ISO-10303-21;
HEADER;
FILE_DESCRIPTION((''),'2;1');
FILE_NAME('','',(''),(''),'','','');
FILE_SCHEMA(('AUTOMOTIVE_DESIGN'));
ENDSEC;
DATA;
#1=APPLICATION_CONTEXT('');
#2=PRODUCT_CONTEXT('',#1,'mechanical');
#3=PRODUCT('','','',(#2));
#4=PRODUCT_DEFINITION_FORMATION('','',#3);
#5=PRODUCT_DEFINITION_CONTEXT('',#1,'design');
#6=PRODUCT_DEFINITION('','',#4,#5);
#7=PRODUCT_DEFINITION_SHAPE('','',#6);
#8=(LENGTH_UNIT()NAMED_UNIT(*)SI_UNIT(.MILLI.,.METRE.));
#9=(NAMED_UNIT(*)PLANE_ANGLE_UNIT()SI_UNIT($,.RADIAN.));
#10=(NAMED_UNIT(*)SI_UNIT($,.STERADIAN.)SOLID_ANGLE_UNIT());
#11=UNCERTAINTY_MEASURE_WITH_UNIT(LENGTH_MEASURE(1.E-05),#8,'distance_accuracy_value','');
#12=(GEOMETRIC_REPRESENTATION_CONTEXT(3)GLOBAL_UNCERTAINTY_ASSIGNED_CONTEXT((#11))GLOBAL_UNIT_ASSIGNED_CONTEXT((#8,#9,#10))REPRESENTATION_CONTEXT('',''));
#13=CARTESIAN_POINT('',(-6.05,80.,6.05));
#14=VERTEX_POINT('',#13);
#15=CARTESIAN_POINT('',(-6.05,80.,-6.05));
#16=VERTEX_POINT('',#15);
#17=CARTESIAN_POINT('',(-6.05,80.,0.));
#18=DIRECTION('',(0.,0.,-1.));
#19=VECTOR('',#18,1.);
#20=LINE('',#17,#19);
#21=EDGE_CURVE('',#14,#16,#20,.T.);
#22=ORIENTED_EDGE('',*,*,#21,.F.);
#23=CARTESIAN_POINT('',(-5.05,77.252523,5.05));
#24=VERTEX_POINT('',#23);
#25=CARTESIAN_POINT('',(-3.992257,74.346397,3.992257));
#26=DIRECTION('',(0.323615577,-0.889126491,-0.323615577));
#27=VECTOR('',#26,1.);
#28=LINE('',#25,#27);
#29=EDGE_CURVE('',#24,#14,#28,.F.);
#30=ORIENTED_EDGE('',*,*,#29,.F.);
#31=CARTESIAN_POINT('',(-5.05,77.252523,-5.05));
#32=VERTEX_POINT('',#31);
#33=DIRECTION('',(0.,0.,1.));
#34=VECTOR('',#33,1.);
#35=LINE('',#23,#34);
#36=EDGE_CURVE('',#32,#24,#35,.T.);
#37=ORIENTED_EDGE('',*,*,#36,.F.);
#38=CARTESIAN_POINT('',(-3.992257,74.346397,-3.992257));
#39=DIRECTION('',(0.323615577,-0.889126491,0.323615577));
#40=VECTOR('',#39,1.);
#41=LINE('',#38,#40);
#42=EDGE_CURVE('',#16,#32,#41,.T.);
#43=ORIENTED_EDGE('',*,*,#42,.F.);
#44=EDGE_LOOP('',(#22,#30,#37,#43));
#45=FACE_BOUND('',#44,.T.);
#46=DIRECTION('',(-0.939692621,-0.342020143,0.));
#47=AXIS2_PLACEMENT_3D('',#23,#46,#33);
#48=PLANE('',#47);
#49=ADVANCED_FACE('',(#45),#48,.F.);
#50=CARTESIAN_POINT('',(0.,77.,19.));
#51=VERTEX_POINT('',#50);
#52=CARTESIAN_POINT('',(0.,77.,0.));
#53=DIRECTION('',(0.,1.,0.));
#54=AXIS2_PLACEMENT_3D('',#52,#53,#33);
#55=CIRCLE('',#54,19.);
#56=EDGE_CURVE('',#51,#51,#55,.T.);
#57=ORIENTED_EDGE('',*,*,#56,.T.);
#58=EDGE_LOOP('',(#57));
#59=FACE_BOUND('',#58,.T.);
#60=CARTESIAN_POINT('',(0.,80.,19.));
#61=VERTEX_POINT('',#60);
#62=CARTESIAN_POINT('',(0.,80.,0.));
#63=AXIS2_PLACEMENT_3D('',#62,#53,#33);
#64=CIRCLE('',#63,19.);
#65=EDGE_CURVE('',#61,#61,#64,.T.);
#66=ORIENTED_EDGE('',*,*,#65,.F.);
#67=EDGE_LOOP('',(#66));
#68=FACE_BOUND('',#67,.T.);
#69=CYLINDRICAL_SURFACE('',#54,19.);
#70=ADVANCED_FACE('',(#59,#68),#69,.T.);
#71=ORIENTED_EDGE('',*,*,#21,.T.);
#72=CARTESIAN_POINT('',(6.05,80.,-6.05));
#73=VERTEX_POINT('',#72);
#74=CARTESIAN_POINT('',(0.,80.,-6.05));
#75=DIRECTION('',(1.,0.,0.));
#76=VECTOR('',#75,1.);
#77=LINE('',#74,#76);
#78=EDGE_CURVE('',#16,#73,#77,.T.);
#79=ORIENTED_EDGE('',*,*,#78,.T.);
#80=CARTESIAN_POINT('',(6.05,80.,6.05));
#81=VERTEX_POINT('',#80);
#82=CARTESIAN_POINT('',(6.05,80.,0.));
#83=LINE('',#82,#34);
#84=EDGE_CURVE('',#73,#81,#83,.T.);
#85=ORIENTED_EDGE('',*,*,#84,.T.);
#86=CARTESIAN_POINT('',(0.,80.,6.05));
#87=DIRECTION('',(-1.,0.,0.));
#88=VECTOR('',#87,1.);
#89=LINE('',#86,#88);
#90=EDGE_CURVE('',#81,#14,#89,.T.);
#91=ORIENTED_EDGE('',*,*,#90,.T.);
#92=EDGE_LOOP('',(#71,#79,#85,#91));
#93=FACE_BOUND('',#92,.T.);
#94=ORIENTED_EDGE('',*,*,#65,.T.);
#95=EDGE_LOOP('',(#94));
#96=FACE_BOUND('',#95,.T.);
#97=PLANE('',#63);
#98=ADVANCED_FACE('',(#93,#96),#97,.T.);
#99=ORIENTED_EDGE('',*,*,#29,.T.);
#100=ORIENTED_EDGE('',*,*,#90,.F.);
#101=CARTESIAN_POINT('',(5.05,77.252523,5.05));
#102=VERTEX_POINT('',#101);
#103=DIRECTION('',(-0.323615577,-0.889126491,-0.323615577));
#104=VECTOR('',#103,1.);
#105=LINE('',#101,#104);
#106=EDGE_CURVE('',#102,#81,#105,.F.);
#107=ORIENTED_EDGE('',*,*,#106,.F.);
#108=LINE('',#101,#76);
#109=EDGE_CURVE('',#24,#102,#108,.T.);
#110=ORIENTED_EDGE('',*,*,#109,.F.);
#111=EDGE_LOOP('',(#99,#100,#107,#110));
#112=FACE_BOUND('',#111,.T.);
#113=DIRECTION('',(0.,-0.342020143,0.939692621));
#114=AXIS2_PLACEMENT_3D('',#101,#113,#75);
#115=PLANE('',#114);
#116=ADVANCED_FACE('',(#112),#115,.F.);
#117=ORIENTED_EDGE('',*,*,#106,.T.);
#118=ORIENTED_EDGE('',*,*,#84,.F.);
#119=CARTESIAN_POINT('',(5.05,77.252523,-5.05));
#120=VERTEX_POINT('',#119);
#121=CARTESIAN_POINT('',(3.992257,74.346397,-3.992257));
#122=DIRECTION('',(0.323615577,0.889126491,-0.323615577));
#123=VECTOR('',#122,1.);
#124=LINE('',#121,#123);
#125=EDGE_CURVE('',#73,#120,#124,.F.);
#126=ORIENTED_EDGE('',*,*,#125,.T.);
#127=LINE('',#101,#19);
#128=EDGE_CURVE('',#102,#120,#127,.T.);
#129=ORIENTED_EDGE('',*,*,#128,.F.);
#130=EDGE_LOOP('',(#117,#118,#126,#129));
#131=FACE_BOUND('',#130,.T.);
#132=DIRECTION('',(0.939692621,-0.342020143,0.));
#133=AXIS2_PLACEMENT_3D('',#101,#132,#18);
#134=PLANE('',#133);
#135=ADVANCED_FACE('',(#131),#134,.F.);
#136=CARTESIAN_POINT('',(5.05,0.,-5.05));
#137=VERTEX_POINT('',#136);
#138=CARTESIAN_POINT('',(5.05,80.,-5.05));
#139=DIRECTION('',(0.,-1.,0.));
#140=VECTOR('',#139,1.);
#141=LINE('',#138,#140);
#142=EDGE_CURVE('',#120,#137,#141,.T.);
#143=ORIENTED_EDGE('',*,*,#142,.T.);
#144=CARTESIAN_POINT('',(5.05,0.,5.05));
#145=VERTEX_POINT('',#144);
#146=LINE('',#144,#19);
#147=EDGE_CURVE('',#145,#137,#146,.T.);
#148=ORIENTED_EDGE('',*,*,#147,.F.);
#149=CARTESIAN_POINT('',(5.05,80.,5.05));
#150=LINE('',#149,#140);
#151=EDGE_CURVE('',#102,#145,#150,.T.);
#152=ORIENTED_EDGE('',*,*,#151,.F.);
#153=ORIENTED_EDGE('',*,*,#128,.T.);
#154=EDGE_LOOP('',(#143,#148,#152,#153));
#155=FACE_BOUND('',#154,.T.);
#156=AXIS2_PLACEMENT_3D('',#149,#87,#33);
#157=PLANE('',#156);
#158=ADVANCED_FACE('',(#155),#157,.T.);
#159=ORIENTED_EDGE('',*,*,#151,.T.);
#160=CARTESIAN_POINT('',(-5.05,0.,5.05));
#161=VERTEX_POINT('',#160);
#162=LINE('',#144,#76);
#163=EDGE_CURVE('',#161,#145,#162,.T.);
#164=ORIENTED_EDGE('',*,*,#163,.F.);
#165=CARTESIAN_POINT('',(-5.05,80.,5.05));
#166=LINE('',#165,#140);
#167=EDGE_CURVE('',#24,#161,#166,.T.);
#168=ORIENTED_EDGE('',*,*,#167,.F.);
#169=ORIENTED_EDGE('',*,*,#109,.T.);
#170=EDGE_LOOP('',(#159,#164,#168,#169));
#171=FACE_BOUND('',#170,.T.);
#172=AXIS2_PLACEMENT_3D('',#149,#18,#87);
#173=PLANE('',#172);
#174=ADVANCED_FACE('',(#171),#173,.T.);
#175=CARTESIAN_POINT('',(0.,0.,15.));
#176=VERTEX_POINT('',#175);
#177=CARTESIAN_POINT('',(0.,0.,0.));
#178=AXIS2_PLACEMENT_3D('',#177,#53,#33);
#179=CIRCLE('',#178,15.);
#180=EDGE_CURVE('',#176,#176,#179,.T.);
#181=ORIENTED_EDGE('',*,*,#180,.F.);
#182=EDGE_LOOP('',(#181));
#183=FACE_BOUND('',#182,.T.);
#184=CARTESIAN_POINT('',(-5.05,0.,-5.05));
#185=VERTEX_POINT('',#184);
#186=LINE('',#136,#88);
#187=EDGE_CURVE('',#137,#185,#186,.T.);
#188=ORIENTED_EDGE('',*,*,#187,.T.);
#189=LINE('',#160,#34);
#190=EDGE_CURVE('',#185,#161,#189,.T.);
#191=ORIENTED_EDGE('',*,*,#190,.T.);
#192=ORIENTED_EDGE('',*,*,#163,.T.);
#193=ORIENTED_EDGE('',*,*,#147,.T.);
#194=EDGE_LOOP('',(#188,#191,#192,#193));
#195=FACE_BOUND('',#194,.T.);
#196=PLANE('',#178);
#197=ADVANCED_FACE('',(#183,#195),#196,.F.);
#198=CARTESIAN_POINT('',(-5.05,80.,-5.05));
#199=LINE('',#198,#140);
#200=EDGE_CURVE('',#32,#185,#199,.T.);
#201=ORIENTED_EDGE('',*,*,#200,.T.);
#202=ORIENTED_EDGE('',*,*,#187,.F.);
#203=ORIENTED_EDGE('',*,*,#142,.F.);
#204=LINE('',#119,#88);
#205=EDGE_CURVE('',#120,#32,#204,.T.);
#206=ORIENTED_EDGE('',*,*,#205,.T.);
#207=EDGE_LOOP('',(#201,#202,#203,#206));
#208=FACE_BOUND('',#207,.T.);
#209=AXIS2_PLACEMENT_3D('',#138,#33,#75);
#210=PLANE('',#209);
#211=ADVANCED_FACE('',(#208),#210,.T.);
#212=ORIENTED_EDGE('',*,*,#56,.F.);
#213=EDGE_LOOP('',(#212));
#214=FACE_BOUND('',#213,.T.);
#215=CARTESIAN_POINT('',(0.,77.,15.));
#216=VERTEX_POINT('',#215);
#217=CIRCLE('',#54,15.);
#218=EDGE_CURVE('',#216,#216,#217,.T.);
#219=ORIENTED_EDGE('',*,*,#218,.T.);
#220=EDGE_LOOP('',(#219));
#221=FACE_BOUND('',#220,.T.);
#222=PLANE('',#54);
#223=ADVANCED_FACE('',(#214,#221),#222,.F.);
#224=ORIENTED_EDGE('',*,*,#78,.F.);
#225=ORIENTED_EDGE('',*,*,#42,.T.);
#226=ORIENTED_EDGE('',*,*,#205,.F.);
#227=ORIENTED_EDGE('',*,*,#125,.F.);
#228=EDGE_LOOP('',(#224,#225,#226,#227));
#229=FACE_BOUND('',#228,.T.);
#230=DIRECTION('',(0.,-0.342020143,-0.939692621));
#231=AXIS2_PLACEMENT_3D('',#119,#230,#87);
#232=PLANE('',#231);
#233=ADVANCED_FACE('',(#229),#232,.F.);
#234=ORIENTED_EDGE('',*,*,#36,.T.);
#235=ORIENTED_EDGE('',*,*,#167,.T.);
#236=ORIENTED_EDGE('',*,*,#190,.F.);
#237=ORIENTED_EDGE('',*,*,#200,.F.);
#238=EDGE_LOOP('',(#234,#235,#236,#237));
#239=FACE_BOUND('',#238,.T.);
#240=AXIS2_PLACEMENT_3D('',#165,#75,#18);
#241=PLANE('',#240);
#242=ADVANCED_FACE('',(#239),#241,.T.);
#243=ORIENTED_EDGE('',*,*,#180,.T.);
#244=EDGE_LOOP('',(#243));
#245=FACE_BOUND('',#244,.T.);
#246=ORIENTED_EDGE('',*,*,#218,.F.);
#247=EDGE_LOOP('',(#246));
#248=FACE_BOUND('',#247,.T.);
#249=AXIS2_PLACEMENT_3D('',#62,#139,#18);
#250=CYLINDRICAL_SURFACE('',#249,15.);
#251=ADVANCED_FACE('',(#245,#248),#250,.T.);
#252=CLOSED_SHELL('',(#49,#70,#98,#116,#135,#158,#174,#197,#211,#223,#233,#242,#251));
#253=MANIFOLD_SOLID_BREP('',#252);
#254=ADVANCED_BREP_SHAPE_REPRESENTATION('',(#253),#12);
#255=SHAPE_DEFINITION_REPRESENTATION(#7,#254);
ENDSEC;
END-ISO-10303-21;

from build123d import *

# Parameters (mm, degrees)
SKETCH_1_R          = 15
SKETCH_1_W          = 10.1
SKETCH_1_H          = 10.1
EXTRUDE_1_DEPTH     = 80
SKETCH1_R           = 19
SKETCH1_W           = 10.1
SKETCH1_H           = 10.1
BOSS_EXTRUDE1_DEPTH = 3
CHAMFER1_SIZE       = 1
CHAMFER1_SIZE2      = 2.747477419


with BuildPart() as part:
    # Эскиз1 → Бобышка-Вытянуть1 (new body)
    with BuildSketch(Plane(origin=(0, 0, 0), x_dir=(1, 0, 0), z_dir=(0, 1, 0))):
        Circle(SKETCH_1_R)
        Rectangle(SKETCH_1_W, SKETCH_1_H, mode=Mode.SUBTRACT)
    extrude(amount=EXTRUDE_1_DEPTH)

    # Sketch1 → Boss-Extrude1 (add)
    with BuildSketch(Plane(origin=(0, 80, 0), x_dir=(1, 0, 0), z_dir=(0, 1, 0))):
        Circle(SKETCH1_R)
        Rectangle(SKETCH1_W, SKETCH1_H, mode=Mode.SUBTRACT)
    extrude(amount=-BOSS_EXTRUDE1_DEPTH)

    # Chamfer1
    chamfer1_edges = [part.edges().sort_by_distance(p)[0] for p in [
        (0, 80, -5.05),
        (-5.05, 80, 0),
        (0, 80, 5.05),
        (5.05, 80, 0),
    ]]
    chamfer1_side = [part.faces().sort_by_distance(p)[0] for p in [
        (-18.462598846, 80, 0),
    ]]
    chamfer(chamfer1_edges, length=CHAMFER1_SIZE, length2=CHAMFER1_SIZE2, reference=chamfer1_side[0])


solid = part.part
